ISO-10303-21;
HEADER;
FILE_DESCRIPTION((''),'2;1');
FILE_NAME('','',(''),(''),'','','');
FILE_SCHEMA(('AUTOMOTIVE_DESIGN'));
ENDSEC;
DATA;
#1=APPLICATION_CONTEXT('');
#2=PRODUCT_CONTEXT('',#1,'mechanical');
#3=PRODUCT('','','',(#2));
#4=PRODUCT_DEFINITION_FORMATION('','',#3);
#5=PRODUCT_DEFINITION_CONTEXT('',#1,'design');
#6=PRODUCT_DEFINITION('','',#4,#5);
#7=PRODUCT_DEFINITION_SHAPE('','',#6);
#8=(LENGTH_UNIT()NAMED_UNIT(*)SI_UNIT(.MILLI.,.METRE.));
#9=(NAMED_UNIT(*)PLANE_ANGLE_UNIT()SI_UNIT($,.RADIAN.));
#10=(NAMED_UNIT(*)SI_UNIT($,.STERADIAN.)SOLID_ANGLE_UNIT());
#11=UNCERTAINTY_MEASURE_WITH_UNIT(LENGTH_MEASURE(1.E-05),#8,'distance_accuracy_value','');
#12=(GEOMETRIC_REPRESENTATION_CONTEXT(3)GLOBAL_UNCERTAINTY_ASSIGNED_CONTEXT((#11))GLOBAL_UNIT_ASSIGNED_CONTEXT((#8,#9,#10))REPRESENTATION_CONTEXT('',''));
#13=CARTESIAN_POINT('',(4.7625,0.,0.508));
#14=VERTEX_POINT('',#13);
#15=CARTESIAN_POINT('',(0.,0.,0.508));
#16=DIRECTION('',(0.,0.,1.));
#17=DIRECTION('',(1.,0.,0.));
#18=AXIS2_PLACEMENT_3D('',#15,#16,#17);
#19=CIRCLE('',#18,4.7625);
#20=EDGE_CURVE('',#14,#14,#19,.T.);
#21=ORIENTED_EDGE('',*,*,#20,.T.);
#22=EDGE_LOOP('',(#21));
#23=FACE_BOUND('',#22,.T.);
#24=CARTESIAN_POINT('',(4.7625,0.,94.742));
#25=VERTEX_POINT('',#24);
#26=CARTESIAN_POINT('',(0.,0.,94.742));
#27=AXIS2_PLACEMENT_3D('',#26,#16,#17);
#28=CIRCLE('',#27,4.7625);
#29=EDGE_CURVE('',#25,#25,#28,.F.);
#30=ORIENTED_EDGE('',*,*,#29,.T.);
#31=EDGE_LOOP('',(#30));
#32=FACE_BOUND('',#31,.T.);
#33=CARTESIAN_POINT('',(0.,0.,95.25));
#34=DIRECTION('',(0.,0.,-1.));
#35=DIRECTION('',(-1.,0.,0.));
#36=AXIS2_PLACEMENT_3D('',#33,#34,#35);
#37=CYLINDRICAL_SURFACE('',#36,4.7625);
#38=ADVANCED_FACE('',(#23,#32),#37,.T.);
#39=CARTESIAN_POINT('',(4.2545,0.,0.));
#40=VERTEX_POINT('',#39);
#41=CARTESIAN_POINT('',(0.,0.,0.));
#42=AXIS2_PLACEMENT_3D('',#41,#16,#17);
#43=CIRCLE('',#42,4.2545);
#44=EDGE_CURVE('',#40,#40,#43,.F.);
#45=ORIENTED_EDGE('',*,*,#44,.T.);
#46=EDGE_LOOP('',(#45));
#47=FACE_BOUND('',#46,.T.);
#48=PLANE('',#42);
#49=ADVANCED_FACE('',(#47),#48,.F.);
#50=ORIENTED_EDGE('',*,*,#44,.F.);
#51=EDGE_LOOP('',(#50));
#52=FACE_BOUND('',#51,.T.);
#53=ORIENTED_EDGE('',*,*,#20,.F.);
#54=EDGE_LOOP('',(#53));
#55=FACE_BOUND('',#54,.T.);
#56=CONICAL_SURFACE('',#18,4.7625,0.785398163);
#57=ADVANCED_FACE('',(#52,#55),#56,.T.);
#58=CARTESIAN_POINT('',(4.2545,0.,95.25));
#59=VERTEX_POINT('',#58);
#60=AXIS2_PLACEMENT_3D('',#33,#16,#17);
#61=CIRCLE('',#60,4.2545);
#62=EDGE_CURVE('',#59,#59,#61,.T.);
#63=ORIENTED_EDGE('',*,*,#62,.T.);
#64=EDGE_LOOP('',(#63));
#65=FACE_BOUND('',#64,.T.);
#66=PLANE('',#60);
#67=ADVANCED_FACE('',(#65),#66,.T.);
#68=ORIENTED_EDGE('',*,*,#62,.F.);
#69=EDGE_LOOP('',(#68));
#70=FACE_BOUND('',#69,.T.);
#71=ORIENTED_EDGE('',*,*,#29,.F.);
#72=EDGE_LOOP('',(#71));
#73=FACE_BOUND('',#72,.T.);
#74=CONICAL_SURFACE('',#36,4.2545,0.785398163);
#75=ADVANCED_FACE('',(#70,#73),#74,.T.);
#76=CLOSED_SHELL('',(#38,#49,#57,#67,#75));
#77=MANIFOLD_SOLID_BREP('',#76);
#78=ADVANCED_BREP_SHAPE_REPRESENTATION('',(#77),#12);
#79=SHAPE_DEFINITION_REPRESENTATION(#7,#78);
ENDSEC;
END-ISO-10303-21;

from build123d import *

# Parameters (mm, degrees)
SKETCH1_R           = 4.7625
BOSS_EXTRUDE1_DEPTH = 95.25
CHAMFER1_SIZE       = 0.508


with BuildPart() as part:
    # Sketch1 → Boss-Extrude1 (new body)
    with BuildSketch(Plane.XY):
        Circle(SKETCH1_R)
    extrude(amount=BOSS_EXTRUDE1_DEPTH)

    # Chamfer1
    chamfer1_edges = [part.edges().sort_by_distance(p)[0] for p in [
        (-4.7625, 0, 0),
        (-4.7625, 0, 95.25),
    ]]
    chamfer(chamfer1_edges, length=CHAMFER1_SIZE)


solid = part.part
